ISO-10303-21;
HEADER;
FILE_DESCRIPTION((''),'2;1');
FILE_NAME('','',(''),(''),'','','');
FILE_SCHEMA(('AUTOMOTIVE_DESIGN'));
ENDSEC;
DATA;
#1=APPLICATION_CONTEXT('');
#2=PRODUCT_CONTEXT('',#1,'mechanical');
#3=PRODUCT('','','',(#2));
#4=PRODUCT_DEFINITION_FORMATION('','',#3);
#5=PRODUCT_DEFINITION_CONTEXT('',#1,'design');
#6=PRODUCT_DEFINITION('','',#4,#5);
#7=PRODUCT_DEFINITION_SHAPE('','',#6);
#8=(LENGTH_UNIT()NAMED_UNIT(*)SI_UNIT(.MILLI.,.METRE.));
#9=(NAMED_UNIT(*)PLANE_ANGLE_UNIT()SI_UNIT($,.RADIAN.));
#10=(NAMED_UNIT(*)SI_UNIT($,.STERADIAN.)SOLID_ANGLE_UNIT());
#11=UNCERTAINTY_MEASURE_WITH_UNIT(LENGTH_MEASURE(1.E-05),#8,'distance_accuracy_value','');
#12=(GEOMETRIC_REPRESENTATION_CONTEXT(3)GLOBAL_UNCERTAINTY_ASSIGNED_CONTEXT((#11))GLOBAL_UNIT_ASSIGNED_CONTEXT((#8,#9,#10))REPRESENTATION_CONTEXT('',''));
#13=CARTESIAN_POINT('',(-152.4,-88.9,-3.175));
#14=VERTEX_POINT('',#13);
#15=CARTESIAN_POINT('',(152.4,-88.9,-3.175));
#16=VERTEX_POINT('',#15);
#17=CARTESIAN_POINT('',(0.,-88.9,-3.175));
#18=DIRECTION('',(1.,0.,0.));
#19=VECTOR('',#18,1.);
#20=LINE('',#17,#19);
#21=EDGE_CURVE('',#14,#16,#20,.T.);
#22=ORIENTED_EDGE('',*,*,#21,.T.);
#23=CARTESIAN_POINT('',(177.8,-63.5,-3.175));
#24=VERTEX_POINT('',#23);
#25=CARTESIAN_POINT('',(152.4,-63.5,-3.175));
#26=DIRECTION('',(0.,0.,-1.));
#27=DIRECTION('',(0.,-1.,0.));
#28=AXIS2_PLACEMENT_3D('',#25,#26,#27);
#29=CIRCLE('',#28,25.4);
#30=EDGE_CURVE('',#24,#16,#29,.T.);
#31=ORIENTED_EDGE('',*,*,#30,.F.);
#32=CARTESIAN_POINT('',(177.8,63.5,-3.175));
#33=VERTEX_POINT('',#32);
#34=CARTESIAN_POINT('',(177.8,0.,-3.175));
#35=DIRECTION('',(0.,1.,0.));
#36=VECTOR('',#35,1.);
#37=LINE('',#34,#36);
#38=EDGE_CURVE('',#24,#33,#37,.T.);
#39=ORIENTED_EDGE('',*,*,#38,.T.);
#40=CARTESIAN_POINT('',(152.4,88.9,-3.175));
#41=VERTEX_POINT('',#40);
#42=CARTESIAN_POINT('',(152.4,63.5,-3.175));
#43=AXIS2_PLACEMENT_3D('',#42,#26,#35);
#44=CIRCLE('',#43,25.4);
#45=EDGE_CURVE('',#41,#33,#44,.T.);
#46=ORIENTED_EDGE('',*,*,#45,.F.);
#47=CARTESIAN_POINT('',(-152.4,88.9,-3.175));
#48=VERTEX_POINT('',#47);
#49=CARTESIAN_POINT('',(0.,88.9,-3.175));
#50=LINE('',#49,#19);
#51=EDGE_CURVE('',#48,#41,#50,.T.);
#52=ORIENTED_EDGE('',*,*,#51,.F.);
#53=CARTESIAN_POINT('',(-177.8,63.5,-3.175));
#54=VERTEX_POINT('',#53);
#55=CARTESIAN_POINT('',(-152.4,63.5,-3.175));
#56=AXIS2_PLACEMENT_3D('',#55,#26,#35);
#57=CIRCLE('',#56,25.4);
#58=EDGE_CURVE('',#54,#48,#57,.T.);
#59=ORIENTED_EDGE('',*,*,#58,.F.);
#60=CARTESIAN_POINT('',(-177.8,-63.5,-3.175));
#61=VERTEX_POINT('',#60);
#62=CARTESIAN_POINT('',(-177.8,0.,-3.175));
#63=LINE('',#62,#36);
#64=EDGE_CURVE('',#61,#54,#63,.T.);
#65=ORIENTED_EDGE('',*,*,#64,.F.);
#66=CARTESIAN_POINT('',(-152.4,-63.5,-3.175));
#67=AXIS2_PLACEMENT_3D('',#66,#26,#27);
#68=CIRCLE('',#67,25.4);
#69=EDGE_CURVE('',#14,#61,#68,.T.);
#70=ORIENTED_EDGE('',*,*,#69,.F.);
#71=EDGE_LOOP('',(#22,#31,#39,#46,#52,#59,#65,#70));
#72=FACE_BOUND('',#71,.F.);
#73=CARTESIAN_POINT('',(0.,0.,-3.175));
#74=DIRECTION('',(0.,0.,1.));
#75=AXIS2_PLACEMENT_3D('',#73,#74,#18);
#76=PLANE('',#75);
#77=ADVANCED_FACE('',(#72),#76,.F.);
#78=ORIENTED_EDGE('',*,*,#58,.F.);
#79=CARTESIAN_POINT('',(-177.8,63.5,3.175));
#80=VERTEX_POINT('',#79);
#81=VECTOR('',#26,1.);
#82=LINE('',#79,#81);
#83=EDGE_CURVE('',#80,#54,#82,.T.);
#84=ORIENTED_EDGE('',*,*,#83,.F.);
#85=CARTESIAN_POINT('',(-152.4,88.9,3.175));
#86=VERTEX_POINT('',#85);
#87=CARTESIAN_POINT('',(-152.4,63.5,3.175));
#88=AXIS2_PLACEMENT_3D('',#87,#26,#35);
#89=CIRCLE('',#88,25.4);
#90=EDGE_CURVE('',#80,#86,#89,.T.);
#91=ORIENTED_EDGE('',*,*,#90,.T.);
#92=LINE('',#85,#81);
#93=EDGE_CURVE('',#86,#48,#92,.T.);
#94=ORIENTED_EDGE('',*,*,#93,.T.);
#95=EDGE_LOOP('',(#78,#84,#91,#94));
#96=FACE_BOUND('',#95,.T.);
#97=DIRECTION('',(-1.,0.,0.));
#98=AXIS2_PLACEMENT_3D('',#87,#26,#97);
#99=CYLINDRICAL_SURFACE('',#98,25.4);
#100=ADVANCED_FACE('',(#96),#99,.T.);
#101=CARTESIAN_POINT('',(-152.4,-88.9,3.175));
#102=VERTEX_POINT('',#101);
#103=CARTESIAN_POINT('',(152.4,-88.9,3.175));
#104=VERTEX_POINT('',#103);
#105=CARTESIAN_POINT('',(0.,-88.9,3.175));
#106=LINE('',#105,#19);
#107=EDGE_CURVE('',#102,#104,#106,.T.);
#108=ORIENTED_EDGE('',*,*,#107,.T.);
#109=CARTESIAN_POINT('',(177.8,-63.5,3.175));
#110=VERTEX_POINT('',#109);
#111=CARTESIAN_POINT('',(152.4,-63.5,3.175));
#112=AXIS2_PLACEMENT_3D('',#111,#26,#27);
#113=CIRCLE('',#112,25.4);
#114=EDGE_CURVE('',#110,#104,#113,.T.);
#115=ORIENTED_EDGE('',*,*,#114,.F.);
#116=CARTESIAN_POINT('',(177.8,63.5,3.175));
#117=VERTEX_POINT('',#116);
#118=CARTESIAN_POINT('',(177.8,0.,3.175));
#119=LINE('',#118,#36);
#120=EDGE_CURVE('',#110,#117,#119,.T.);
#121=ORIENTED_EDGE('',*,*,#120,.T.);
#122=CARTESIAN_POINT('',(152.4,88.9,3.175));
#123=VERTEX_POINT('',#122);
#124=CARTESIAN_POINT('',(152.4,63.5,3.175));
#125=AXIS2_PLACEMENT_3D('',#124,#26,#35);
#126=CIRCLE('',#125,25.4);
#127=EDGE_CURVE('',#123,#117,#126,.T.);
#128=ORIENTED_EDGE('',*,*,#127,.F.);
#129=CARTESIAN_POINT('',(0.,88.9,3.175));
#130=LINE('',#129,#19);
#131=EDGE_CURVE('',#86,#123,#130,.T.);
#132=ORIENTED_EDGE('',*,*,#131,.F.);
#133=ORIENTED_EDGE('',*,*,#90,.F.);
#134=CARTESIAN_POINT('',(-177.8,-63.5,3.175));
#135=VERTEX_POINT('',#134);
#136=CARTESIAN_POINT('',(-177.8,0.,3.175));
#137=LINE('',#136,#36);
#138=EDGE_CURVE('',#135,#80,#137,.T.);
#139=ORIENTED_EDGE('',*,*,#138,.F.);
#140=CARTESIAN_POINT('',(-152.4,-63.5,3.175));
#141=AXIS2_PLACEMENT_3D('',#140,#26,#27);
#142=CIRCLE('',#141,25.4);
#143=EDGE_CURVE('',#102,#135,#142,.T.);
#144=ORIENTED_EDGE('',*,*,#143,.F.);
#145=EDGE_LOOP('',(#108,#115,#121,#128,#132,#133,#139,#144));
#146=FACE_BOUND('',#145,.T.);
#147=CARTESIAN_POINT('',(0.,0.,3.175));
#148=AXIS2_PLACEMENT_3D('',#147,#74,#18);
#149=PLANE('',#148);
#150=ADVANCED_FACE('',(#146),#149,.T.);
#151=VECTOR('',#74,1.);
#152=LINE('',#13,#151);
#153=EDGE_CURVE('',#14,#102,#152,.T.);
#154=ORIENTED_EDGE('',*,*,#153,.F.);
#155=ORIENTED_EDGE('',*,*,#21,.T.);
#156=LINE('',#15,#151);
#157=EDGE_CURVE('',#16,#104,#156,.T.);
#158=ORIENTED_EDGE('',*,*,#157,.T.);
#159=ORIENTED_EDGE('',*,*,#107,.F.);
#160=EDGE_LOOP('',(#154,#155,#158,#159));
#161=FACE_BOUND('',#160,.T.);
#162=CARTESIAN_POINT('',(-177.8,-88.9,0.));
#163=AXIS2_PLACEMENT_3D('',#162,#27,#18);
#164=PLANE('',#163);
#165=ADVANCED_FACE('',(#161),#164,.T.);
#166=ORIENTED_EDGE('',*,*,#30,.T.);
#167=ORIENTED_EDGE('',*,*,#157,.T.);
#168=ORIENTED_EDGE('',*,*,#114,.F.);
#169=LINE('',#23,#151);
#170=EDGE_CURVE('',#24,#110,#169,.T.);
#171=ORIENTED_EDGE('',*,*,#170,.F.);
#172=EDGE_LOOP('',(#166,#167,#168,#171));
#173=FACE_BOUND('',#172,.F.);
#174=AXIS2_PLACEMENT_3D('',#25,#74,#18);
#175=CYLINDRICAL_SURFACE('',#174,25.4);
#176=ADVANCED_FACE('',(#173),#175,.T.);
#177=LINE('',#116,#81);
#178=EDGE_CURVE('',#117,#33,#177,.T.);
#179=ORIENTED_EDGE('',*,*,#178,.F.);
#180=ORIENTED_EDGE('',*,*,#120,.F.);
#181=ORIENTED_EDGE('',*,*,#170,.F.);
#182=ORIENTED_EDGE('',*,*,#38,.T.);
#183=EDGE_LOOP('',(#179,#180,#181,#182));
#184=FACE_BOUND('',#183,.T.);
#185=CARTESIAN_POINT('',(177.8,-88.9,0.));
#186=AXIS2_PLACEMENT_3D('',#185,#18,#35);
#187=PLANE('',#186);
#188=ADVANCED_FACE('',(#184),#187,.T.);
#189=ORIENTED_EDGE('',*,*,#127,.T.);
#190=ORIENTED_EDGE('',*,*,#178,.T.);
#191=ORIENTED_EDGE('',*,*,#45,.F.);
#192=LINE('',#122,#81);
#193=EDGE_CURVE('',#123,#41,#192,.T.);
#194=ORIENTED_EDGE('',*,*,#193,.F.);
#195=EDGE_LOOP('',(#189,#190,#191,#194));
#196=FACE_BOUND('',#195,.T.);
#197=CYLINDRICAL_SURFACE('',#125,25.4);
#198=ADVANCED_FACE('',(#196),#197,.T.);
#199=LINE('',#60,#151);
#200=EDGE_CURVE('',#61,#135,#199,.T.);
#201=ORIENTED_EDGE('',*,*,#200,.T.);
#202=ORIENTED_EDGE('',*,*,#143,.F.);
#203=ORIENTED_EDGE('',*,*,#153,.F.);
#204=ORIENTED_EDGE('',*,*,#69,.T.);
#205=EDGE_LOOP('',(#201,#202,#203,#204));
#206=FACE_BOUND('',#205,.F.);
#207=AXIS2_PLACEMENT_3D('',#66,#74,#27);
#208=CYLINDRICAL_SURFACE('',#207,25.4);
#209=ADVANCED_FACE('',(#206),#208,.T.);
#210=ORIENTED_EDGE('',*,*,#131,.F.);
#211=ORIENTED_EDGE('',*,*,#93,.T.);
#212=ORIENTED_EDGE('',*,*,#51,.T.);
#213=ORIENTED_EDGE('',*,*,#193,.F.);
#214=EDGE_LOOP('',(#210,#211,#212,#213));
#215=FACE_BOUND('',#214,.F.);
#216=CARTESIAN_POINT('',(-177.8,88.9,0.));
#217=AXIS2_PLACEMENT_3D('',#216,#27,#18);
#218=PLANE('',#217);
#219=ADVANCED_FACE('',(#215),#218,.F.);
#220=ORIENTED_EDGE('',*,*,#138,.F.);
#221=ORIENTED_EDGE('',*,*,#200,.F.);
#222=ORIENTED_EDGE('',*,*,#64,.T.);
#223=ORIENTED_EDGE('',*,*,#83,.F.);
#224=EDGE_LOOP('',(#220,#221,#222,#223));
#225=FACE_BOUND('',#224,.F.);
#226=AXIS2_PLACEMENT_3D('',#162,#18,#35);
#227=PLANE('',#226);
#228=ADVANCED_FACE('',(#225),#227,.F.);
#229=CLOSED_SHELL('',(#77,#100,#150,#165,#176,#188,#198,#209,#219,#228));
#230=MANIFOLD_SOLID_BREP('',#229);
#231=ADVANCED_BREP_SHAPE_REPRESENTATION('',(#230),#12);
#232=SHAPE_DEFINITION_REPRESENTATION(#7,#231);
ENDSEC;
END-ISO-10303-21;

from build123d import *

# Parameters (mm, degrees)
F0_W     = 304.8
F0_H     = 125.8824
F1_DEPTH = 3.175
F2_W     = 355.6
F2_H     = 177.8
F3_DEPTH = 3.175
F4_R     = 25.4
F5_R     = 25.4
F6_R     = 25.4
F7_R     = 25.4


with BuildPart() as f1:
    # F0 (on Top) → F1 (new body, symmetric)
    with BuildSketch(Plane.XY):
        Rectangle(F0_W, F0_H)
    extrude(amount=F1_DEPTH, both=True)

    # F2 (on Top) → F3 (join, symmetric)
    with BuildSketch(Plane.XY):
        Rectangle(F2_W, F2_H)
    extrude(amount=F3_DEPTH, both=True)

    # F4
    f4_edges = [f1.edges().sort_by_distance(p)[0] for p in [
        (-177.8, 88.9, 0),
    ]]
    fillet(f4_edges, radius=F4_R)

    # F5
    f5_edges = [f1.edges().sort_by_distance(p)[0] for p in [
        (177.8, 88.9, 0),
    ]]
    fillet(f5_edges, radius=F5_R)

    # F6
    f6_edges = [f1.edges().sort_by_distance(p)[0] for p in [
        (177.8, -88.9, 0),
    ]]
    fillet(f6_edges, radius=F6_R)

    # F7
    f7_edges = [f1.edges().sort_by_distance(p)[0] for p in [
        (-177.8, -88.9, 0),
    ]]
    fillet(f7_edges, radius=F7_R)


solid = f1.part
